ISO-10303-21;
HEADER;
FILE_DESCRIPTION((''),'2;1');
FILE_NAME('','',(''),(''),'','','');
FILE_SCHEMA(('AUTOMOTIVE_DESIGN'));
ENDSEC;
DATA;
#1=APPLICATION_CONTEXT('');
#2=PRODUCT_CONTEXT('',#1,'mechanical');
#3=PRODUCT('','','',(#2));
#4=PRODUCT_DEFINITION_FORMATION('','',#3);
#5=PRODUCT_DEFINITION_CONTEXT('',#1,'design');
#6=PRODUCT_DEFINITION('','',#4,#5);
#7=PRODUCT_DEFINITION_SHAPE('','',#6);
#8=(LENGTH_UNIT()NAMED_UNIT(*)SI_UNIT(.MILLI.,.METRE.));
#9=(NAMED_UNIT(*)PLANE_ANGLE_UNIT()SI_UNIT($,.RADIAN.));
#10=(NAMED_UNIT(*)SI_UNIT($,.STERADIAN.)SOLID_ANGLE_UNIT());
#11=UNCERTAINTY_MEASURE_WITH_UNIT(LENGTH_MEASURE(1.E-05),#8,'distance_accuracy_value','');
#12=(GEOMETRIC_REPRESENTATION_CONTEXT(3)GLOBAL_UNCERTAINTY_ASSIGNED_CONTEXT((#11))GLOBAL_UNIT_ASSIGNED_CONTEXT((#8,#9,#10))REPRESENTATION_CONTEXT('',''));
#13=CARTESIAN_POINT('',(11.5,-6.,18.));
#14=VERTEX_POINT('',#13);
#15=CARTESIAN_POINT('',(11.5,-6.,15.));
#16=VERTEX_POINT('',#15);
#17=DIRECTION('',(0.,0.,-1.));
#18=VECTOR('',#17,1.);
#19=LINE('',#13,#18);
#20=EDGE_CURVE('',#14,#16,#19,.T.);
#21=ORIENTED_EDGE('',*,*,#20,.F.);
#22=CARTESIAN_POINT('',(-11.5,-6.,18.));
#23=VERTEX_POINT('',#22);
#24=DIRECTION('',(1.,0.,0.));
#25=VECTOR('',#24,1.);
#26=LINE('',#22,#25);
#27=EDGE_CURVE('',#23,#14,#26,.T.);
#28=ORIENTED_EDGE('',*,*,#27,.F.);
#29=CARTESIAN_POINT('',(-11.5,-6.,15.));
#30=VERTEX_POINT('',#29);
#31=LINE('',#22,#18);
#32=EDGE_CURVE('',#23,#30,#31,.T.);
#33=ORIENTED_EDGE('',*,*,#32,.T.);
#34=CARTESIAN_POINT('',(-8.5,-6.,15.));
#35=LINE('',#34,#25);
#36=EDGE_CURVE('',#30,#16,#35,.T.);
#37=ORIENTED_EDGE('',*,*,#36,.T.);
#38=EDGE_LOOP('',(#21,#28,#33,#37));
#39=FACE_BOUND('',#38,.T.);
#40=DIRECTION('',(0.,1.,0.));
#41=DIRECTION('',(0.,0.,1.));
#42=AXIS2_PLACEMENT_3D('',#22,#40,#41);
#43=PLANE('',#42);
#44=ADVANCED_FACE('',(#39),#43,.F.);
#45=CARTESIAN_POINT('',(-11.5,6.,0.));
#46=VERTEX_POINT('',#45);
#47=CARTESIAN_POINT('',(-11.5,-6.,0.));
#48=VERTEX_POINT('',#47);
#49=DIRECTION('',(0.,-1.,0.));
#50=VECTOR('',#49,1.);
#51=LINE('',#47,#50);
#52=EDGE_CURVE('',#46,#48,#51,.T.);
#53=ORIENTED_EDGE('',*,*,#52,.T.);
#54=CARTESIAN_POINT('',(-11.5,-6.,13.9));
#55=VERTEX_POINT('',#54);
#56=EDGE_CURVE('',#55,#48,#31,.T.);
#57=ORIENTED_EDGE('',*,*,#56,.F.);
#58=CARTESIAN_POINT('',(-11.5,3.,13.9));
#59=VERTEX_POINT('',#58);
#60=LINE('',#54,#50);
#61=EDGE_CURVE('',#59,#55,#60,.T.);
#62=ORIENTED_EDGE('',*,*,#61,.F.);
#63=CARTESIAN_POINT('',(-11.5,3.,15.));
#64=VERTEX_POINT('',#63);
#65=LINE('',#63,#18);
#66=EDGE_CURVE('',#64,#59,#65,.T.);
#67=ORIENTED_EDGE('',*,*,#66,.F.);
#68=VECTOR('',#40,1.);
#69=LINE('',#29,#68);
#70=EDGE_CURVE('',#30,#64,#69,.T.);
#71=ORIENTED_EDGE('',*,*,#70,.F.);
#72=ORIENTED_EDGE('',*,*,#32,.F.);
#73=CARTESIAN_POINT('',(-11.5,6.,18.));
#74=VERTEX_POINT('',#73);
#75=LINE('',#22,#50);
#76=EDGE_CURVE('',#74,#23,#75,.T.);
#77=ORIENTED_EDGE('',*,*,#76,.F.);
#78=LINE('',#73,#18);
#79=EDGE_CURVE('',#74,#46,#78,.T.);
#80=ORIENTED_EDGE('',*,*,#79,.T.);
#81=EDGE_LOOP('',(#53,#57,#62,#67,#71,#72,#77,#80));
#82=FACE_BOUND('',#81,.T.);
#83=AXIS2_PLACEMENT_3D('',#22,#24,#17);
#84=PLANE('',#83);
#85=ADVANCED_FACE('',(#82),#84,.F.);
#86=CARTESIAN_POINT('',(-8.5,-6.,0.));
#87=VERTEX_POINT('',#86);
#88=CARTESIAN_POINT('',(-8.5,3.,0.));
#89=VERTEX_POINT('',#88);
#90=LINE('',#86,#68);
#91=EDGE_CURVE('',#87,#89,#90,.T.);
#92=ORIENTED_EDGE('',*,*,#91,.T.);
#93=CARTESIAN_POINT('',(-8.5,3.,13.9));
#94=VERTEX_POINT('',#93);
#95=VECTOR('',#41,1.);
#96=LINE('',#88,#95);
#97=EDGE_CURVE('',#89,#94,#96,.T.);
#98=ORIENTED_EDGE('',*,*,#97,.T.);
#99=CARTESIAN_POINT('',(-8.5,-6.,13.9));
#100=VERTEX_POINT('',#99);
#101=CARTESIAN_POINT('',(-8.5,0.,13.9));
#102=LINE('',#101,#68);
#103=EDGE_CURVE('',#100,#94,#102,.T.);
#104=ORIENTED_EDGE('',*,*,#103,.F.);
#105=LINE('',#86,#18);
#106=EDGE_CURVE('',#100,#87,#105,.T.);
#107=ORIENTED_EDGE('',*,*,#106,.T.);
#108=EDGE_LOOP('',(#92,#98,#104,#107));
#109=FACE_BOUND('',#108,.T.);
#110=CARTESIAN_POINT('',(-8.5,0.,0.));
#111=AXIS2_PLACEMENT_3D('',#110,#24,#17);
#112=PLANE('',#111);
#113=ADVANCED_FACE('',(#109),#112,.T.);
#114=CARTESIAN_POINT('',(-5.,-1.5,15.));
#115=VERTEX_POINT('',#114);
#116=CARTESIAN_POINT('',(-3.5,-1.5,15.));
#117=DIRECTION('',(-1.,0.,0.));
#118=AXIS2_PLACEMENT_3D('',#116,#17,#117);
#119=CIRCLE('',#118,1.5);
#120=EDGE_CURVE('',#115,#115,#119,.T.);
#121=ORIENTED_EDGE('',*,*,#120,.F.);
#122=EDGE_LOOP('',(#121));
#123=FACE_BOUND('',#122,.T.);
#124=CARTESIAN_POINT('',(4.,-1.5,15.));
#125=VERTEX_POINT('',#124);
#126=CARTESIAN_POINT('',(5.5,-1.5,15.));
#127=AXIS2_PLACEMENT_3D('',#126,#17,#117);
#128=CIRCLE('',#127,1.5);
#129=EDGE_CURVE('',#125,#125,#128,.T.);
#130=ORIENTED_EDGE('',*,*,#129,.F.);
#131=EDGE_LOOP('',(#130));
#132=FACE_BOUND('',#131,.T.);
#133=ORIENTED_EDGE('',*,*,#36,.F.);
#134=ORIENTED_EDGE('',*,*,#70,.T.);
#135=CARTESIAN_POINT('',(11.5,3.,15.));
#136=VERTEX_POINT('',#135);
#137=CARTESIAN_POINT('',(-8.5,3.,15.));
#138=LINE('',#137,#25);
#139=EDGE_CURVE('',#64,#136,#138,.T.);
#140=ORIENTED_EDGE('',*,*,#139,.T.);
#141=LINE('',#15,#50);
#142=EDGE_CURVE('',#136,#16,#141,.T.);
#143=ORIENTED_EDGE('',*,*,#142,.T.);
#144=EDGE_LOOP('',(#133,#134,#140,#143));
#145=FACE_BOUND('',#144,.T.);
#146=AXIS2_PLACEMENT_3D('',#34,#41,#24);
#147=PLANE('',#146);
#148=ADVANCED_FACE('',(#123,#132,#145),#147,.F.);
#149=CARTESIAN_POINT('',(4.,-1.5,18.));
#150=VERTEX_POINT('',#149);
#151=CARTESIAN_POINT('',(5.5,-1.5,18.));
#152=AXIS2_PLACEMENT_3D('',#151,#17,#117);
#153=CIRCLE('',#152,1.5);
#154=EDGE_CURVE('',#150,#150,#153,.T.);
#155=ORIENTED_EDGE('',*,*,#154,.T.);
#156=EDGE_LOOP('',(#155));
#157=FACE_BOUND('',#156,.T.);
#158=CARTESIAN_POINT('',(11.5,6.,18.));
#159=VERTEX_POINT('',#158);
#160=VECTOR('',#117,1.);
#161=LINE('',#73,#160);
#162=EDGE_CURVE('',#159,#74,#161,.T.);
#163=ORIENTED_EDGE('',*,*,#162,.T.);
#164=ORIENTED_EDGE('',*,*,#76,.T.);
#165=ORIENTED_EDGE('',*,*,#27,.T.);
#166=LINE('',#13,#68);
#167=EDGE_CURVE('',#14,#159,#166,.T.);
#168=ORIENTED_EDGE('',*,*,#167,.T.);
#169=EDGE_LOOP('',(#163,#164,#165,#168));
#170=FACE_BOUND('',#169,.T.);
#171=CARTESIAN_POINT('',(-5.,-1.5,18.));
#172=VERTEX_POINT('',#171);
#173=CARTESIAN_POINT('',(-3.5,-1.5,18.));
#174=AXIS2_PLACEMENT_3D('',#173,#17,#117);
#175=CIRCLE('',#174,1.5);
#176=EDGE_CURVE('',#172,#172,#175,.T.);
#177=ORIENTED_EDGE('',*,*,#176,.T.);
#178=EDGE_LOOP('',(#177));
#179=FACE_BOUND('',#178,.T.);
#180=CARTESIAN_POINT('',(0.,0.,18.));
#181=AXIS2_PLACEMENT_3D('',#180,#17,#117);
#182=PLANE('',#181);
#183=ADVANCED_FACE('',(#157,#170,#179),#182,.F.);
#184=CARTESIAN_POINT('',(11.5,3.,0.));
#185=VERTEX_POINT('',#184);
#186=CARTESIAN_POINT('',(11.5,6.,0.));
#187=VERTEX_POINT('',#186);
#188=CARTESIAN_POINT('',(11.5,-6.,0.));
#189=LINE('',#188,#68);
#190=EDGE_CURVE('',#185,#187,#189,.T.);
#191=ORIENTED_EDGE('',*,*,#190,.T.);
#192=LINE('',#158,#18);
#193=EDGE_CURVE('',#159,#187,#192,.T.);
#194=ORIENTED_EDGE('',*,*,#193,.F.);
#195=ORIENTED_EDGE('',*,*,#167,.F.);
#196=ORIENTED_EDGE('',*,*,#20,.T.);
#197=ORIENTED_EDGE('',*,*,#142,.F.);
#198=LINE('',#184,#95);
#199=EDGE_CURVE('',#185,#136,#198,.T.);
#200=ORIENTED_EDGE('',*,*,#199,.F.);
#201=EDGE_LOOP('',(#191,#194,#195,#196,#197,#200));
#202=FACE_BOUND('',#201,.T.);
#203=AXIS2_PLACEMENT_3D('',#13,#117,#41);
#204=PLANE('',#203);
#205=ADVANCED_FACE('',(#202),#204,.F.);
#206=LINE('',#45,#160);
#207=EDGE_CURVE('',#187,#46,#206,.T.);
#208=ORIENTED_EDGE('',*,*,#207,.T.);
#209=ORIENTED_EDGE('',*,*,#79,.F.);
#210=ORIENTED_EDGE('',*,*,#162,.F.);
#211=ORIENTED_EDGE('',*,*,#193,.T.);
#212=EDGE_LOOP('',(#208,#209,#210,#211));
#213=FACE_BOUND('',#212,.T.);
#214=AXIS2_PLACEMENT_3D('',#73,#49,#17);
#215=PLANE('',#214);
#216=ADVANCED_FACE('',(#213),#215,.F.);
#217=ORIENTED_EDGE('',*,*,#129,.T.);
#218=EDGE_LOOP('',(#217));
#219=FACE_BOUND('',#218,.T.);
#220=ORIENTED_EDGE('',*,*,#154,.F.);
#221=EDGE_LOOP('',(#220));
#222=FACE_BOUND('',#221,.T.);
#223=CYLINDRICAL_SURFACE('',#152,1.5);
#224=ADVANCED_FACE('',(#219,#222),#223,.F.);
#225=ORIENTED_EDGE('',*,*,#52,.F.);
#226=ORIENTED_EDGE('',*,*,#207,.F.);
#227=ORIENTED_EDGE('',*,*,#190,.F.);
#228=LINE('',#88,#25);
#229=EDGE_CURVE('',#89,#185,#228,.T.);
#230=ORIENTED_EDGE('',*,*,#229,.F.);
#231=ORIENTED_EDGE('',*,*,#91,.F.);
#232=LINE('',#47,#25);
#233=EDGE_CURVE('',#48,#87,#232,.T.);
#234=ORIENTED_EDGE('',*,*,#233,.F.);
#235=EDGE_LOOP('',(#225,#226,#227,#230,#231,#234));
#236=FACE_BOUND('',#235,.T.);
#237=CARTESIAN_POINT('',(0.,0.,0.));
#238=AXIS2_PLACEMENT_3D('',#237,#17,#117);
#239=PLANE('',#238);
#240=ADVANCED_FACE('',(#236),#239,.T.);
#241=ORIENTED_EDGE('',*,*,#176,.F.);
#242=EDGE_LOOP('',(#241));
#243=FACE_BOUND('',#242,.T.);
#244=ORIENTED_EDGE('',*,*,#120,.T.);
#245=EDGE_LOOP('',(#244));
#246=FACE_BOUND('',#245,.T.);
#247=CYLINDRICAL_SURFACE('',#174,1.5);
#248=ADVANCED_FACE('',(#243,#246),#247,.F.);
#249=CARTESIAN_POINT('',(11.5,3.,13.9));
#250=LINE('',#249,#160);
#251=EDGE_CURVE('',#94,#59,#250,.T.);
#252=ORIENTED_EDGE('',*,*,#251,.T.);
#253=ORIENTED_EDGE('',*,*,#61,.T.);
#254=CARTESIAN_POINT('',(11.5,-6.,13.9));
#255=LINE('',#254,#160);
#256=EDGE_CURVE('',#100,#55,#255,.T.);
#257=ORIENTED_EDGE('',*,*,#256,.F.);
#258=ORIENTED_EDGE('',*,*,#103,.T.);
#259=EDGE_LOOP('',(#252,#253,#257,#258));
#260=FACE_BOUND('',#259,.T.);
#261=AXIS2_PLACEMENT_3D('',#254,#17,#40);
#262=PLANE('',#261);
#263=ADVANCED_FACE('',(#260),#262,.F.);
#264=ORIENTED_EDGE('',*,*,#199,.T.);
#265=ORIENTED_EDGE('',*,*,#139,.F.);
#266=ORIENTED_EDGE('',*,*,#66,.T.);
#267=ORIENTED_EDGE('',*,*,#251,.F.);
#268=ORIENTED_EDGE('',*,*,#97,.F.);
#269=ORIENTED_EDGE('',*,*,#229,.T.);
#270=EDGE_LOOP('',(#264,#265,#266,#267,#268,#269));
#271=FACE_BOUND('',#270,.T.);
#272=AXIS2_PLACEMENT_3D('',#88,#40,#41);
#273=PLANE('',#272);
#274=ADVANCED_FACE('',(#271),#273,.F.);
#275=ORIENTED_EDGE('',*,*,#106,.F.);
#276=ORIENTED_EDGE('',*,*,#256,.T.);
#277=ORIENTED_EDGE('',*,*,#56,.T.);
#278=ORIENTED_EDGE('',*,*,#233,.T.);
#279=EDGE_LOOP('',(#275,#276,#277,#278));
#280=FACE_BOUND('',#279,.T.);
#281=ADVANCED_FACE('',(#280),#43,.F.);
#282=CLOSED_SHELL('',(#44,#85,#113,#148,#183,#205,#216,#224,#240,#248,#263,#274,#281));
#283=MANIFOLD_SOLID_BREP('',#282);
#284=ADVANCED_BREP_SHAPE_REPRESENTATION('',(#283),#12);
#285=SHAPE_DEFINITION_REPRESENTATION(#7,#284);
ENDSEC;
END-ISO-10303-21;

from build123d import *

# Parameters (mm, degrees)
CROQUIS1_W              = 23
CROQUIS1_H              = 12
SALIENTE_EXTRUIR1_DEPTH = 18
CROQUIS2_W              = 15
CROQUIS2_H              = 9
CORTAR_EXTRUIR1_DEPTH   = 20
CROQUIS3_W              = 1.1
CROQUIS3_H              = 9
CORTAR_EXTRUIR2_DEPTH   = 24
CROQUIS4_R              = 1.5
CORTAR_EXTRUIR3_DEPTH   = 4


with BuildPart() as part:
    # Croquis1 → Saliente-Extruir1 (new body)
    with BuildSketch(Plane.XY):
        Rectangle(CROQUIS1_W, CROQUIS1_H)
    extrude(amount=SALIENTE_EXTRUIR1_DEPTH)

    # Croquis2 → Cortar-Extruir1 (cut)
    with BuildSketch(Plane(origin=(11.5, 0, 0), x_dir=(0, 0, -1), z_dir=(1, 0, 0))):
        with Locations((-7.5, -1.5)):
            Rectangle(CROQUIS2_W, CROQUIS2_H)
    extrude(amount=-CORTAR_EXTRUIR1_DEPTH, mode=Mode.SUBTRACT)

    # Croquis3 → Cortar-Extruir2 (cut, through all)
    with BuildSketch(Plane.ZY.offset(11.5)):
        with Locations((14.45, -1.5)):
            Rectangle(CROQUIS3_W, CROQUIS3_H)
    extrude(amount=-CORTAR_EXTRUIR2_DEPTH, mode=Mode.SUBTRACT)

    # Croquis4 → Cortar-Extruir3 (cut, through all)
    with BuildSketch(Plane(origin=(0, 0, 15), x_dir=(-1, 0, 0), z_dir=(0, 0, -1))):
        with Locations((-5.5, -1.5)):
            Circle(CROQUIS4_R)
        with Locations((3.5, -1.5)):
            Circle(CROQUIS4_R)
    extrude(amount=-CORTAR_EXTRUIR3_DEPTH, mode=Mode.SUBTRACT)


solid = part.part
